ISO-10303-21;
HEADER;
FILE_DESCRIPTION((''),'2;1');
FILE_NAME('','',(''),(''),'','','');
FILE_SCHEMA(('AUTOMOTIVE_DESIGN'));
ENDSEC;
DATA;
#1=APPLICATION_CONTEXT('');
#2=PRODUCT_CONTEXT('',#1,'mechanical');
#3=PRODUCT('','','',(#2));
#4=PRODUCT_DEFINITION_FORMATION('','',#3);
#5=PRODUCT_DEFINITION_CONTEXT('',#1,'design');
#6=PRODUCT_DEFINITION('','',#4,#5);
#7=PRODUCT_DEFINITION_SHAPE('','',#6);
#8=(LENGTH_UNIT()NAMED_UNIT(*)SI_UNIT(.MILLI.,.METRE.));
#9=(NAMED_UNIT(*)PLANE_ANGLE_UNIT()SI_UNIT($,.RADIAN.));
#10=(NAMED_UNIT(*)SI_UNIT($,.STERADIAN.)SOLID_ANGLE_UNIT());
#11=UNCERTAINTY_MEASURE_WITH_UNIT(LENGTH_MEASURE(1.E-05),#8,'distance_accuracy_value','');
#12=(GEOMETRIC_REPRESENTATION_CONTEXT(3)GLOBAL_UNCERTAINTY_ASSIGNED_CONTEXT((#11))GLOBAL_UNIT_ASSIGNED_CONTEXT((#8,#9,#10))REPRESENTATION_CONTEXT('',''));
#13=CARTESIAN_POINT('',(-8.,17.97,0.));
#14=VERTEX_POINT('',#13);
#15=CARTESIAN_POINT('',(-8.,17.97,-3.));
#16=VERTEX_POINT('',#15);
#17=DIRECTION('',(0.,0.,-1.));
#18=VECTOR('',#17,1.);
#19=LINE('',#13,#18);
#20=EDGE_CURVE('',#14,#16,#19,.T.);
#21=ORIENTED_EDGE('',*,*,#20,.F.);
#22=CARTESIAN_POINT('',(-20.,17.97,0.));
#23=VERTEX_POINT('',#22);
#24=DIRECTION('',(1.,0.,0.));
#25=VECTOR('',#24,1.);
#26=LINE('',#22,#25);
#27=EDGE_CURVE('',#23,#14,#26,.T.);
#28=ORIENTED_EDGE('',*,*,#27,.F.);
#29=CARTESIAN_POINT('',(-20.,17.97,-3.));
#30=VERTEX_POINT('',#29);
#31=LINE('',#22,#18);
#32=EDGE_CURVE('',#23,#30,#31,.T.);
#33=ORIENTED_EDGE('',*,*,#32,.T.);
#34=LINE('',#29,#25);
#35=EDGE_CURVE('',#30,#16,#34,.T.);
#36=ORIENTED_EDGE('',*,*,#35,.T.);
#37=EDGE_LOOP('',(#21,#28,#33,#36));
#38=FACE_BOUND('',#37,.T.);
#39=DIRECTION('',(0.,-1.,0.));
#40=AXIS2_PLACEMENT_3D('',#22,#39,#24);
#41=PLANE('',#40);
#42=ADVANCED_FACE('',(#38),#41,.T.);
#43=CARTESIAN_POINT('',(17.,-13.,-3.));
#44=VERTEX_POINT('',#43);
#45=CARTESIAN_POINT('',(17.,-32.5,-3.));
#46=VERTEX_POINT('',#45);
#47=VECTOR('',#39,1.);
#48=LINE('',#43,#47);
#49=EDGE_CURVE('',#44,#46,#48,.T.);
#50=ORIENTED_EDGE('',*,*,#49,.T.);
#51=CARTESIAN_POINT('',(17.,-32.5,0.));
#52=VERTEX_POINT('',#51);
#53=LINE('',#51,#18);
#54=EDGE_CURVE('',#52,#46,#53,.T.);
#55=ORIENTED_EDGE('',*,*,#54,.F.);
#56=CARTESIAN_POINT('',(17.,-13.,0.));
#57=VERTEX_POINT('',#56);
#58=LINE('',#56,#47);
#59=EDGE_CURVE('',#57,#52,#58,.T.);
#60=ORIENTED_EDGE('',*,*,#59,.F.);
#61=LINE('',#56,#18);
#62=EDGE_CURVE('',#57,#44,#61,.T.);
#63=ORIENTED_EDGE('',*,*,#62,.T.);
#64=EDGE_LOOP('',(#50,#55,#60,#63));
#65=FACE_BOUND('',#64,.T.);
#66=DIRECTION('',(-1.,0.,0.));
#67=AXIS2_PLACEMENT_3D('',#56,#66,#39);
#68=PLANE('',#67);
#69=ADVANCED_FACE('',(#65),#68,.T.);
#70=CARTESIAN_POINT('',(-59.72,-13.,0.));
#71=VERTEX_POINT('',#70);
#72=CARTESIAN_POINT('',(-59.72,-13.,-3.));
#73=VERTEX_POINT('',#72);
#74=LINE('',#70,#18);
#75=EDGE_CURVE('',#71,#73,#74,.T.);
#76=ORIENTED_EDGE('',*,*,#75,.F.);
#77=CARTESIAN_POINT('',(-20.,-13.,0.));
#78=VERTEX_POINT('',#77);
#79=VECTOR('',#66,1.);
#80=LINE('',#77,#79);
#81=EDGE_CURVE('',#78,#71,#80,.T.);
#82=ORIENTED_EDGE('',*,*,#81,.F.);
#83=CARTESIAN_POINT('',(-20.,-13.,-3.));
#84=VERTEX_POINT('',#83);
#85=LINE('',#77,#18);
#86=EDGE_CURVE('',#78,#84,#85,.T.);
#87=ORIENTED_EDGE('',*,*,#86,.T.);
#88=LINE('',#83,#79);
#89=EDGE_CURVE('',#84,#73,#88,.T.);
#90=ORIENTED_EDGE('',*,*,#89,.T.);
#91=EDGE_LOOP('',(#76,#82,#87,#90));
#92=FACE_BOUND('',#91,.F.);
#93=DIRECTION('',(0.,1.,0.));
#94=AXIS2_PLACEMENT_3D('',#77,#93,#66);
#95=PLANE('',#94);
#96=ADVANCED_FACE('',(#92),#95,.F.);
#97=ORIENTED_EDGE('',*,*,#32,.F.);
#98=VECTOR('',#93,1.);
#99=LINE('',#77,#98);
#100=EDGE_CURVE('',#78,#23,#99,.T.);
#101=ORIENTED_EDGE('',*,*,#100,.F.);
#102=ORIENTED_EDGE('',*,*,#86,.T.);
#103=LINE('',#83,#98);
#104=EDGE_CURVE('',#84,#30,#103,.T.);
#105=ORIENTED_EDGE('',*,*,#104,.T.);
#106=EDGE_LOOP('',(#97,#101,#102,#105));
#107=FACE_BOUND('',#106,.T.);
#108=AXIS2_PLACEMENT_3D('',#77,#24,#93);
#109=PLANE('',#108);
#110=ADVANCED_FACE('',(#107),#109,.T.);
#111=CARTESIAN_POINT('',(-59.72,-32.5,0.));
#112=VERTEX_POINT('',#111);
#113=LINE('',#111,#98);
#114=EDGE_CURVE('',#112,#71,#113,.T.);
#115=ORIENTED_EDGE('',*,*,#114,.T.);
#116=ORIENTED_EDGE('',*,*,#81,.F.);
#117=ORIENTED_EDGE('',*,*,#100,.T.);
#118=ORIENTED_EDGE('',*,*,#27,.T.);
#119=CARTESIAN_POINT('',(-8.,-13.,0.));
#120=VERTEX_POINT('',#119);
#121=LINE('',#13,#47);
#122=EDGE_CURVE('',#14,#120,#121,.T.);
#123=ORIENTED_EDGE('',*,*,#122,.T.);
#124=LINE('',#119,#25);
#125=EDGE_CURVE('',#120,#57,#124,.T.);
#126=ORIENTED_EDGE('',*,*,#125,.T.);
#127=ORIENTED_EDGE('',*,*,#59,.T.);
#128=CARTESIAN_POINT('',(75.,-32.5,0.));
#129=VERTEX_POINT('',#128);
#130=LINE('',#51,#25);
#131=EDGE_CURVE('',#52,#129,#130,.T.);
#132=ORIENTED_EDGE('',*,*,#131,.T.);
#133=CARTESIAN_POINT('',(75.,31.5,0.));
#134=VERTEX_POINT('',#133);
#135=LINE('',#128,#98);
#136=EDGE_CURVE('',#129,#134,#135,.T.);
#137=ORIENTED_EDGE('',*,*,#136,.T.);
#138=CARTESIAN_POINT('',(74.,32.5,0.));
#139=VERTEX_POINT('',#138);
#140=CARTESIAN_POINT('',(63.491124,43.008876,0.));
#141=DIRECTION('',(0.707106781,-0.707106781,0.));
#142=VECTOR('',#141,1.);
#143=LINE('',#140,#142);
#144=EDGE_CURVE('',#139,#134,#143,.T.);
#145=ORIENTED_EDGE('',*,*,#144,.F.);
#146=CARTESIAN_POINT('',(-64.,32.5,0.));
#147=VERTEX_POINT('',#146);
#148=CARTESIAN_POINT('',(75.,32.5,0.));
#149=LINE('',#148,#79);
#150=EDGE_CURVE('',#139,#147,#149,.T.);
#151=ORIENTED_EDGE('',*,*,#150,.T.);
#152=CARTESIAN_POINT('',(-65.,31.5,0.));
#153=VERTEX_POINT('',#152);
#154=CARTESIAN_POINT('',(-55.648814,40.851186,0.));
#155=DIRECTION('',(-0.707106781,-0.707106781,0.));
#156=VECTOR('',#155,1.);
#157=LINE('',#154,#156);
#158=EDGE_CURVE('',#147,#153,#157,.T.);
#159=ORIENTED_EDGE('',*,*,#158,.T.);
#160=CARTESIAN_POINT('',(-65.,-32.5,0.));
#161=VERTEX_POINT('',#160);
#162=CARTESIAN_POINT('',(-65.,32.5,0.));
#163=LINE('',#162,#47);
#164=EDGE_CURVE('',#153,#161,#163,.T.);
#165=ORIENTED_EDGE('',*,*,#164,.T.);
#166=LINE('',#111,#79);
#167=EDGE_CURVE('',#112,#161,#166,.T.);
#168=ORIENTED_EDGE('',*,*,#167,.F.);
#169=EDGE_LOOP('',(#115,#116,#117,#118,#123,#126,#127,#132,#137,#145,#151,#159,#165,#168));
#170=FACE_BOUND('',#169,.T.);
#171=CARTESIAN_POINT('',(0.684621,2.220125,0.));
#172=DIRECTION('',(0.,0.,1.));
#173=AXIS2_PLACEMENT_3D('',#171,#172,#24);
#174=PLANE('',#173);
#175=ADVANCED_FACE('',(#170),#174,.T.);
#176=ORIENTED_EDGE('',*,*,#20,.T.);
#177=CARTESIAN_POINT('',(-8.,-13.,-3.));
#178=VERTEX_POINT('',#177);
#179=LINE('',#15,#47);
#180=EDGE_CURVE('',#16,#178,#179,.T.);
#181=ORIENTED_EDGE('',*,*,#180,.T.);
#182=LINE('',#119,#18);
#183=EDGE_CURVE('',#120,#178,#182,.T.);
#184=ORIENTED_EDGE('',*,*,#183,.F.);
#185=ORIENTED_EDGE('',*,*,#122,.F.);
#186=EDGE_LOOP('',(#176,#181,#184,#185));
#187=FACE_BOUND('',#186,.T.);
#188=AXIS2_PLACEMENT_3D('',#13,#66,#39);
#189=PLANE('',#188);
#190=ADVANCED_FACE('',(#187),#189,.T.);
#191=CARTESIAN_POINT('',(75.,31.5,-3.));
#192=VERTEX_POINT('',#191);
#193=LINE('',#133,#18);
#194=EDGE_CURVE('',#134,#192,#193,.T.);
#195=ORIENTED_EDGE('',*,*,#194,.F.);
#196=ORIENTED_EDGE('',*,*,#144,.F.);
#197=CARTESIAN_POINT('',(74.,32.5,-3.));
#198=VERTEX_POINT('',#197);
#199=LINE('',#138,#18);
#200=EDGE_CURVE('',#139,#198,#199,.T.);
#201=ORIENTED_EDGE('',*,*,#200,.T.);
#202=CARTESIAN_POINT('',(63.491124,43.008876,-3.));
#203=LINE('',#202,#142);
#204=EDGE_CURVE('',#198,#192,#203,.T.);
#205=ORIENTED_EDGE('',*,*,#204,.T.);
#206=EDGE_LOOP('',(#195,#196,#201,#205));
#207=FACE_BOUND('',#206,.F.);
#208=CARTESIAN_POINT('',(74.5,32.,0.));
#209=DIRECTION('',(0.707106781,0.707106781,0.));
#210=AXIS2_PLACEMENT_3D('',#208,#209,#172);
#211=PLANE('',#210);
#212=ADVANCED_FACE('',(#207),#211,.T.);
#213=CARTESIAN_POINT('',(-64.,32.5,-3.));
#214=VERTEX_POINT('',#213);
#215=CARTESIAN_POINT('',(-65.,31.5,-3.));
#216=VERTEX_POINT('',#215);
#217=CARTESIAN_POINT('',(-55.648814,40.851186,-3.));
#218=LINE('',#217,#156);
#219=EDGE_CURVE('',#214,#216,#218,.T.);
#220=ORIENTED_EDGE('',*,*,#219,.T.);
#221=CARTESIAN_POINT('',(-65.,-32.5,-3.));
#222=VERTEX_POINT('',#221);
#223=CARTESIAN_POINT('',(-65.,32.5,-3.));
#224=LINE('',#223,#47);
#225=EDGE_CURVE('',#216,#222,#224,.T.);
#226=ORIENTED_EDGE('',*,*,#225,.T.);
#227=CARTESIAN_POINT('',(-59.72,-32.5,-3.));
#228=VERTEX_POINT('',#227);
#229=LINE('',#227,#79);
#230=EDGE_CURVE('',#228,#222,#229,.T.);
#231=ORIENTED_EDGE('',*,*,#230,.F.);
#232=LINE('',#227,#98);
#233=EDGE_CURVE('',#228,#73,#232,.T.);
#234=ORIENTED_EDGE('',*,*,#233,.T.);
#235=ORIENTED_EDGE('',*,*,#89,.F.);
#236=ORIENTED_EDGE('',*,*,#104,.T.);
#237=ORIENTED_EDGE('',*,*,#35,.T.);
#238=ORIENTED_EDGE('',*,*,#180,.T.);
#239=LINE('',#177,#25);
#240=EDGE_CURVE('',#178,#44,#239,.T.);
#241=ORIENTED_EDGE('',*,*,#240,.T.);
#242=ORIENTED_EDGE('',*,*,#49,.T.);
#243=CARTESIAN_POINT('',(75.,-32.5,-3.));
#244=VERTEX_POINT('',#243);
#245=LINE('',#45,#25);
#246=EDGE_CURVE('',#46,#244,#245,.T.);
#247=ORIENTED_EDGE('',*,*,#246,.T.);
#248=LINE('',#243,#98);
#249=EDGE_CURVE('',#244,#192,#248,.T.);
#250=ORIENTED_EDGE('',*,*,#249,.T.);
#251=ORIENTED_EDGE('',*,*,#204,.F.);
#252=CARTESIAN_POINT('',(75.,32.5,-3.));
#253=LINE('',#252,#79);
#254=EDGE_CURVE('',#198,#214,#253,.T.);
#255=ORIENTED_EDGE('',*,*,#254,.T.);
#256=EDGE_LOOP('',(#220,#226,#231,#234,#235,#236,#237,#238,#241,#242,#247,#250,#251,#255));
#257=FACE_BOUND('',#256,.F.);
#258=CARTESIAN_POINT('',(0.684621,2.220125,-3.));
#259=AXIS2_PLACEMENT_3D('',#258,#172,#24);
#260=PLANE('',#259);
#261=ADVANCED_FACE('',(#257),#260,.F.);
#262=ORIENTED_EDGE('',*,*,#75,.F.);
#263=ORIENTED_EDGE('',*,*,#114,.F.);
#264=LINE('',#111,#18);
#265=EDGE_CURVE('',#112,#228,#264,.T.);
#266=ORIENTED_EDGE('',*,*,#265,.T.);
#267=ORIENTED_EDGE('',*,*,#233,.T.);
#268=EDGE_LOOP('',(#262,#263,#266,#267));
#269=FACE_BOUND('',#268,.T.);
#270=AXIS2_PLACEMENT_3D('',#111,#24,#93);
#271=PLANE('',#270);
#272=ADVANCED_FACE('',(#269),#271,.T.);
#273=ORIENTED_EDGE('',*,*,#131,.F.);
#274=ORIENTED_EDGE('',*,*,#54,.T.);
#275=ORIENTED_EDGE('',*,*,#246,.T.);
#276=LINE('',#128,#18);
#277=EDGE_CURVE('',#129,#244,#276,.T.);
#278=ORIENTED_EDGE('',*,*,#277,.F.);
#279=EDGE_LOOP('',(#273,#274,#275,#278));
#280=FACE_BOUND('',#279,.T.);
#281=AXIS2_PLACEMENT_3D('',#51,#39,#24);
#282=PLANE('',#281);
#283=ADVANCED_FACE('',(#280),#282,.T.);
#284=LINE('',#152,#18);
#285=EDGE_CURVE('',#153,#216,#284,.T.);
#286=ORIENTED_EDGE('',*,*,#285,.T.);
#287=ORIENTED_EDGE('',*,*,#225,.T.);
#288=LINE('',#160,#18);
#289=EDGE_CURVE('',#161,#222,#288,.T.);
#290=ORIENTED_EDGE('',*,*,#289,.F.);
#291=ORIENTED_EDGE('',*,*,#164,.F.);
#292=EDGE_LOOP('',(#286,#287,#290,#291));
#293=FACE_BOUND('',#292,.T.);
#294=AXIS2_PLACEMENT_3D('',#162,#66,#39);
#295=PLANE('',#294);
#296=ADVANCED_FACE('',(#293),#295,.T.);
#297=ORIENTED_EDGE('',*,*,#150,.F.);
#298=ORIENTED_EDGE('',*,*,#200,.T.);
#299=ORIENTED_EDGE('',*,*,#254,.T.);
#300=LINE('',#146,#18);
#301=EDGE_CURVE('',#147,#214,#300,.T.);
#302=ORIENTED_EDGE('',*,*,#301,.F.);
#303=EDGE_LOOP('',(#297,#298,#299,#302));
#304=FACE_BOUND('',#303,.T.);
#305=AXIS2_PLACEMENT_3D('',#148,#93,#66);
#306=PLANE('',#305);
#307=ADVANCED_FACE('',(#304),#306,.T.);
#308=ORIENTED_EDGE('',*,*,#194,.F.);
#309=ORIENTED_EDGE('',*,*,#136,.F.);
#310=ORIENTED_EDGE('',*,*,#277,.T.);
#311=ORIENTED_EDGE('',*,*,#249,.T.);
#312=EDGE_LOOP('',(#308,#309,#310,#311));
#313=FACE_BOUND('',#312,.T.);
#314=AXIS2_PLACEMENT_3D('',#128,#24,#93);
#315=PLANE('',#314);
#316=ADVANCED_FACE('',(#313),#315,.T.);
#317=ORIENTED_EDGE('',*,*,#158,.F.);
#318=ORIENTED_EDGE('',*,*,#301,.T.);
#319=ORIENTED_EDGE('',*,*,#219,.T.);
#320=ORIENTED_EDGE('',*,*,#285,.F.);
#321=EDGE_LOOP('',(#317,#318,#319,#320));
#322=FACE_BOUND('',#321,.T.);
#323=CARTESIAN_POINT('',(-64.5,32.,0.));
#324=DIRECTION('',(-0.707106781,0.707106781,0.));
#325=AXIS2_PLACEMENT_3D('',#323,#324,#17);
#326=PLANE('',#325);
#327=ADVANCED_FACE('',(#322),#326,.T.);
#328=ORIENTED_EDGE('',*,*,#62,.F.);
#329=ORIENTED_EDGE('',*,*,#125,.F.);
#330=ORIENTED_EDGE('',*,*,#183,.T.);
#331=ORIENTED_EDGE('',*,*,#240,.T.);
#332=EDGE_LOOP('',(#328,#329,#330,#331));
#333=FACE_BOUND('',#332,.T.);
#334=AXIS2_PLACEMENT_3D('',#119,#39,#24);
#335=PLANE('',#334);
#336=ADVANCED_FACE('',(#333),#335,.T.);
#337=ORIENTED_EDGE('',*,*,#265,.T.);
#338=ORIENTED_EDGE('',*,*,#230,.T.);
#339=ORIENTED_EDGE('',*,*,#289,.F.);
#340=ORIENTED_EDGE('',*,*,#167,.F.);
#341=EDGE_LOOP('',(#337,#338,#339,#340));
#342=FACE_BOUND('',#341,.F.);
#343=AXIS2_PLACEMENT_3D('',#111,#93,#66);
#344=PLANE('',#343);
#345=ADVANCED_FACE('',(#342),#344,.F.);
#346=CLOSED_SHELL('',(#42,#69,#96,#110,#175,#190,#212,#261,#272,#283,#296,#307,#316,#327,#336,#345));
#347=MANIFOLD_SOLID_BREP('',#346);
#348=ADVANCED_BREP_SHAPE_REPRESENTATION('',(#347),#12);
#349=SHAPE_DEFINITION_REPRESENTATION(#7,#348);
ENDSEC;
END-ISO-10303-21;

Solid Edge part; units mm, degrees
sketch "Sketch1" plane through (0, 0, 0) normal (0, 0, 1) x (1, 0, 0)
  line L0 (75, 32.5) -> (-65, 32.5)
  line L1 (-65, 32.5) -> (-65, -32.5)
  line L2 (-59.72, -32.5) -> (-65, -32.5)
  line L3 (-59.72, -32.5) -> (-59.72, -13)
  line L4 (-20, -13) -> (-59.72, -13)
  line L5 (-20, -13) -> (-20, 17.97)
  line L6 (-20, 17.97) -> (-8, 17.97)
  line L7 (-8, 17.97) -> (-8, -13)
  line L8 (-8, -13) -> (17, -13)
  line L9 (17, -13) -> (17, -32.5)
  line L10 (17, -32.5) -> (75, -32.5)
  line L11 (75, -32.5) -> (75, 32.5)
extrude "Protrusion1" add sketch "Sketch1" against normal blind 3
chamfer "Chanfro_1" distance 1 angle 45 1 edges at (75, 32.5, -1.5)
chamfer "Chanfro_2" distance 1 angle 45 1 edges at (-65, 32.5, -1.5)
